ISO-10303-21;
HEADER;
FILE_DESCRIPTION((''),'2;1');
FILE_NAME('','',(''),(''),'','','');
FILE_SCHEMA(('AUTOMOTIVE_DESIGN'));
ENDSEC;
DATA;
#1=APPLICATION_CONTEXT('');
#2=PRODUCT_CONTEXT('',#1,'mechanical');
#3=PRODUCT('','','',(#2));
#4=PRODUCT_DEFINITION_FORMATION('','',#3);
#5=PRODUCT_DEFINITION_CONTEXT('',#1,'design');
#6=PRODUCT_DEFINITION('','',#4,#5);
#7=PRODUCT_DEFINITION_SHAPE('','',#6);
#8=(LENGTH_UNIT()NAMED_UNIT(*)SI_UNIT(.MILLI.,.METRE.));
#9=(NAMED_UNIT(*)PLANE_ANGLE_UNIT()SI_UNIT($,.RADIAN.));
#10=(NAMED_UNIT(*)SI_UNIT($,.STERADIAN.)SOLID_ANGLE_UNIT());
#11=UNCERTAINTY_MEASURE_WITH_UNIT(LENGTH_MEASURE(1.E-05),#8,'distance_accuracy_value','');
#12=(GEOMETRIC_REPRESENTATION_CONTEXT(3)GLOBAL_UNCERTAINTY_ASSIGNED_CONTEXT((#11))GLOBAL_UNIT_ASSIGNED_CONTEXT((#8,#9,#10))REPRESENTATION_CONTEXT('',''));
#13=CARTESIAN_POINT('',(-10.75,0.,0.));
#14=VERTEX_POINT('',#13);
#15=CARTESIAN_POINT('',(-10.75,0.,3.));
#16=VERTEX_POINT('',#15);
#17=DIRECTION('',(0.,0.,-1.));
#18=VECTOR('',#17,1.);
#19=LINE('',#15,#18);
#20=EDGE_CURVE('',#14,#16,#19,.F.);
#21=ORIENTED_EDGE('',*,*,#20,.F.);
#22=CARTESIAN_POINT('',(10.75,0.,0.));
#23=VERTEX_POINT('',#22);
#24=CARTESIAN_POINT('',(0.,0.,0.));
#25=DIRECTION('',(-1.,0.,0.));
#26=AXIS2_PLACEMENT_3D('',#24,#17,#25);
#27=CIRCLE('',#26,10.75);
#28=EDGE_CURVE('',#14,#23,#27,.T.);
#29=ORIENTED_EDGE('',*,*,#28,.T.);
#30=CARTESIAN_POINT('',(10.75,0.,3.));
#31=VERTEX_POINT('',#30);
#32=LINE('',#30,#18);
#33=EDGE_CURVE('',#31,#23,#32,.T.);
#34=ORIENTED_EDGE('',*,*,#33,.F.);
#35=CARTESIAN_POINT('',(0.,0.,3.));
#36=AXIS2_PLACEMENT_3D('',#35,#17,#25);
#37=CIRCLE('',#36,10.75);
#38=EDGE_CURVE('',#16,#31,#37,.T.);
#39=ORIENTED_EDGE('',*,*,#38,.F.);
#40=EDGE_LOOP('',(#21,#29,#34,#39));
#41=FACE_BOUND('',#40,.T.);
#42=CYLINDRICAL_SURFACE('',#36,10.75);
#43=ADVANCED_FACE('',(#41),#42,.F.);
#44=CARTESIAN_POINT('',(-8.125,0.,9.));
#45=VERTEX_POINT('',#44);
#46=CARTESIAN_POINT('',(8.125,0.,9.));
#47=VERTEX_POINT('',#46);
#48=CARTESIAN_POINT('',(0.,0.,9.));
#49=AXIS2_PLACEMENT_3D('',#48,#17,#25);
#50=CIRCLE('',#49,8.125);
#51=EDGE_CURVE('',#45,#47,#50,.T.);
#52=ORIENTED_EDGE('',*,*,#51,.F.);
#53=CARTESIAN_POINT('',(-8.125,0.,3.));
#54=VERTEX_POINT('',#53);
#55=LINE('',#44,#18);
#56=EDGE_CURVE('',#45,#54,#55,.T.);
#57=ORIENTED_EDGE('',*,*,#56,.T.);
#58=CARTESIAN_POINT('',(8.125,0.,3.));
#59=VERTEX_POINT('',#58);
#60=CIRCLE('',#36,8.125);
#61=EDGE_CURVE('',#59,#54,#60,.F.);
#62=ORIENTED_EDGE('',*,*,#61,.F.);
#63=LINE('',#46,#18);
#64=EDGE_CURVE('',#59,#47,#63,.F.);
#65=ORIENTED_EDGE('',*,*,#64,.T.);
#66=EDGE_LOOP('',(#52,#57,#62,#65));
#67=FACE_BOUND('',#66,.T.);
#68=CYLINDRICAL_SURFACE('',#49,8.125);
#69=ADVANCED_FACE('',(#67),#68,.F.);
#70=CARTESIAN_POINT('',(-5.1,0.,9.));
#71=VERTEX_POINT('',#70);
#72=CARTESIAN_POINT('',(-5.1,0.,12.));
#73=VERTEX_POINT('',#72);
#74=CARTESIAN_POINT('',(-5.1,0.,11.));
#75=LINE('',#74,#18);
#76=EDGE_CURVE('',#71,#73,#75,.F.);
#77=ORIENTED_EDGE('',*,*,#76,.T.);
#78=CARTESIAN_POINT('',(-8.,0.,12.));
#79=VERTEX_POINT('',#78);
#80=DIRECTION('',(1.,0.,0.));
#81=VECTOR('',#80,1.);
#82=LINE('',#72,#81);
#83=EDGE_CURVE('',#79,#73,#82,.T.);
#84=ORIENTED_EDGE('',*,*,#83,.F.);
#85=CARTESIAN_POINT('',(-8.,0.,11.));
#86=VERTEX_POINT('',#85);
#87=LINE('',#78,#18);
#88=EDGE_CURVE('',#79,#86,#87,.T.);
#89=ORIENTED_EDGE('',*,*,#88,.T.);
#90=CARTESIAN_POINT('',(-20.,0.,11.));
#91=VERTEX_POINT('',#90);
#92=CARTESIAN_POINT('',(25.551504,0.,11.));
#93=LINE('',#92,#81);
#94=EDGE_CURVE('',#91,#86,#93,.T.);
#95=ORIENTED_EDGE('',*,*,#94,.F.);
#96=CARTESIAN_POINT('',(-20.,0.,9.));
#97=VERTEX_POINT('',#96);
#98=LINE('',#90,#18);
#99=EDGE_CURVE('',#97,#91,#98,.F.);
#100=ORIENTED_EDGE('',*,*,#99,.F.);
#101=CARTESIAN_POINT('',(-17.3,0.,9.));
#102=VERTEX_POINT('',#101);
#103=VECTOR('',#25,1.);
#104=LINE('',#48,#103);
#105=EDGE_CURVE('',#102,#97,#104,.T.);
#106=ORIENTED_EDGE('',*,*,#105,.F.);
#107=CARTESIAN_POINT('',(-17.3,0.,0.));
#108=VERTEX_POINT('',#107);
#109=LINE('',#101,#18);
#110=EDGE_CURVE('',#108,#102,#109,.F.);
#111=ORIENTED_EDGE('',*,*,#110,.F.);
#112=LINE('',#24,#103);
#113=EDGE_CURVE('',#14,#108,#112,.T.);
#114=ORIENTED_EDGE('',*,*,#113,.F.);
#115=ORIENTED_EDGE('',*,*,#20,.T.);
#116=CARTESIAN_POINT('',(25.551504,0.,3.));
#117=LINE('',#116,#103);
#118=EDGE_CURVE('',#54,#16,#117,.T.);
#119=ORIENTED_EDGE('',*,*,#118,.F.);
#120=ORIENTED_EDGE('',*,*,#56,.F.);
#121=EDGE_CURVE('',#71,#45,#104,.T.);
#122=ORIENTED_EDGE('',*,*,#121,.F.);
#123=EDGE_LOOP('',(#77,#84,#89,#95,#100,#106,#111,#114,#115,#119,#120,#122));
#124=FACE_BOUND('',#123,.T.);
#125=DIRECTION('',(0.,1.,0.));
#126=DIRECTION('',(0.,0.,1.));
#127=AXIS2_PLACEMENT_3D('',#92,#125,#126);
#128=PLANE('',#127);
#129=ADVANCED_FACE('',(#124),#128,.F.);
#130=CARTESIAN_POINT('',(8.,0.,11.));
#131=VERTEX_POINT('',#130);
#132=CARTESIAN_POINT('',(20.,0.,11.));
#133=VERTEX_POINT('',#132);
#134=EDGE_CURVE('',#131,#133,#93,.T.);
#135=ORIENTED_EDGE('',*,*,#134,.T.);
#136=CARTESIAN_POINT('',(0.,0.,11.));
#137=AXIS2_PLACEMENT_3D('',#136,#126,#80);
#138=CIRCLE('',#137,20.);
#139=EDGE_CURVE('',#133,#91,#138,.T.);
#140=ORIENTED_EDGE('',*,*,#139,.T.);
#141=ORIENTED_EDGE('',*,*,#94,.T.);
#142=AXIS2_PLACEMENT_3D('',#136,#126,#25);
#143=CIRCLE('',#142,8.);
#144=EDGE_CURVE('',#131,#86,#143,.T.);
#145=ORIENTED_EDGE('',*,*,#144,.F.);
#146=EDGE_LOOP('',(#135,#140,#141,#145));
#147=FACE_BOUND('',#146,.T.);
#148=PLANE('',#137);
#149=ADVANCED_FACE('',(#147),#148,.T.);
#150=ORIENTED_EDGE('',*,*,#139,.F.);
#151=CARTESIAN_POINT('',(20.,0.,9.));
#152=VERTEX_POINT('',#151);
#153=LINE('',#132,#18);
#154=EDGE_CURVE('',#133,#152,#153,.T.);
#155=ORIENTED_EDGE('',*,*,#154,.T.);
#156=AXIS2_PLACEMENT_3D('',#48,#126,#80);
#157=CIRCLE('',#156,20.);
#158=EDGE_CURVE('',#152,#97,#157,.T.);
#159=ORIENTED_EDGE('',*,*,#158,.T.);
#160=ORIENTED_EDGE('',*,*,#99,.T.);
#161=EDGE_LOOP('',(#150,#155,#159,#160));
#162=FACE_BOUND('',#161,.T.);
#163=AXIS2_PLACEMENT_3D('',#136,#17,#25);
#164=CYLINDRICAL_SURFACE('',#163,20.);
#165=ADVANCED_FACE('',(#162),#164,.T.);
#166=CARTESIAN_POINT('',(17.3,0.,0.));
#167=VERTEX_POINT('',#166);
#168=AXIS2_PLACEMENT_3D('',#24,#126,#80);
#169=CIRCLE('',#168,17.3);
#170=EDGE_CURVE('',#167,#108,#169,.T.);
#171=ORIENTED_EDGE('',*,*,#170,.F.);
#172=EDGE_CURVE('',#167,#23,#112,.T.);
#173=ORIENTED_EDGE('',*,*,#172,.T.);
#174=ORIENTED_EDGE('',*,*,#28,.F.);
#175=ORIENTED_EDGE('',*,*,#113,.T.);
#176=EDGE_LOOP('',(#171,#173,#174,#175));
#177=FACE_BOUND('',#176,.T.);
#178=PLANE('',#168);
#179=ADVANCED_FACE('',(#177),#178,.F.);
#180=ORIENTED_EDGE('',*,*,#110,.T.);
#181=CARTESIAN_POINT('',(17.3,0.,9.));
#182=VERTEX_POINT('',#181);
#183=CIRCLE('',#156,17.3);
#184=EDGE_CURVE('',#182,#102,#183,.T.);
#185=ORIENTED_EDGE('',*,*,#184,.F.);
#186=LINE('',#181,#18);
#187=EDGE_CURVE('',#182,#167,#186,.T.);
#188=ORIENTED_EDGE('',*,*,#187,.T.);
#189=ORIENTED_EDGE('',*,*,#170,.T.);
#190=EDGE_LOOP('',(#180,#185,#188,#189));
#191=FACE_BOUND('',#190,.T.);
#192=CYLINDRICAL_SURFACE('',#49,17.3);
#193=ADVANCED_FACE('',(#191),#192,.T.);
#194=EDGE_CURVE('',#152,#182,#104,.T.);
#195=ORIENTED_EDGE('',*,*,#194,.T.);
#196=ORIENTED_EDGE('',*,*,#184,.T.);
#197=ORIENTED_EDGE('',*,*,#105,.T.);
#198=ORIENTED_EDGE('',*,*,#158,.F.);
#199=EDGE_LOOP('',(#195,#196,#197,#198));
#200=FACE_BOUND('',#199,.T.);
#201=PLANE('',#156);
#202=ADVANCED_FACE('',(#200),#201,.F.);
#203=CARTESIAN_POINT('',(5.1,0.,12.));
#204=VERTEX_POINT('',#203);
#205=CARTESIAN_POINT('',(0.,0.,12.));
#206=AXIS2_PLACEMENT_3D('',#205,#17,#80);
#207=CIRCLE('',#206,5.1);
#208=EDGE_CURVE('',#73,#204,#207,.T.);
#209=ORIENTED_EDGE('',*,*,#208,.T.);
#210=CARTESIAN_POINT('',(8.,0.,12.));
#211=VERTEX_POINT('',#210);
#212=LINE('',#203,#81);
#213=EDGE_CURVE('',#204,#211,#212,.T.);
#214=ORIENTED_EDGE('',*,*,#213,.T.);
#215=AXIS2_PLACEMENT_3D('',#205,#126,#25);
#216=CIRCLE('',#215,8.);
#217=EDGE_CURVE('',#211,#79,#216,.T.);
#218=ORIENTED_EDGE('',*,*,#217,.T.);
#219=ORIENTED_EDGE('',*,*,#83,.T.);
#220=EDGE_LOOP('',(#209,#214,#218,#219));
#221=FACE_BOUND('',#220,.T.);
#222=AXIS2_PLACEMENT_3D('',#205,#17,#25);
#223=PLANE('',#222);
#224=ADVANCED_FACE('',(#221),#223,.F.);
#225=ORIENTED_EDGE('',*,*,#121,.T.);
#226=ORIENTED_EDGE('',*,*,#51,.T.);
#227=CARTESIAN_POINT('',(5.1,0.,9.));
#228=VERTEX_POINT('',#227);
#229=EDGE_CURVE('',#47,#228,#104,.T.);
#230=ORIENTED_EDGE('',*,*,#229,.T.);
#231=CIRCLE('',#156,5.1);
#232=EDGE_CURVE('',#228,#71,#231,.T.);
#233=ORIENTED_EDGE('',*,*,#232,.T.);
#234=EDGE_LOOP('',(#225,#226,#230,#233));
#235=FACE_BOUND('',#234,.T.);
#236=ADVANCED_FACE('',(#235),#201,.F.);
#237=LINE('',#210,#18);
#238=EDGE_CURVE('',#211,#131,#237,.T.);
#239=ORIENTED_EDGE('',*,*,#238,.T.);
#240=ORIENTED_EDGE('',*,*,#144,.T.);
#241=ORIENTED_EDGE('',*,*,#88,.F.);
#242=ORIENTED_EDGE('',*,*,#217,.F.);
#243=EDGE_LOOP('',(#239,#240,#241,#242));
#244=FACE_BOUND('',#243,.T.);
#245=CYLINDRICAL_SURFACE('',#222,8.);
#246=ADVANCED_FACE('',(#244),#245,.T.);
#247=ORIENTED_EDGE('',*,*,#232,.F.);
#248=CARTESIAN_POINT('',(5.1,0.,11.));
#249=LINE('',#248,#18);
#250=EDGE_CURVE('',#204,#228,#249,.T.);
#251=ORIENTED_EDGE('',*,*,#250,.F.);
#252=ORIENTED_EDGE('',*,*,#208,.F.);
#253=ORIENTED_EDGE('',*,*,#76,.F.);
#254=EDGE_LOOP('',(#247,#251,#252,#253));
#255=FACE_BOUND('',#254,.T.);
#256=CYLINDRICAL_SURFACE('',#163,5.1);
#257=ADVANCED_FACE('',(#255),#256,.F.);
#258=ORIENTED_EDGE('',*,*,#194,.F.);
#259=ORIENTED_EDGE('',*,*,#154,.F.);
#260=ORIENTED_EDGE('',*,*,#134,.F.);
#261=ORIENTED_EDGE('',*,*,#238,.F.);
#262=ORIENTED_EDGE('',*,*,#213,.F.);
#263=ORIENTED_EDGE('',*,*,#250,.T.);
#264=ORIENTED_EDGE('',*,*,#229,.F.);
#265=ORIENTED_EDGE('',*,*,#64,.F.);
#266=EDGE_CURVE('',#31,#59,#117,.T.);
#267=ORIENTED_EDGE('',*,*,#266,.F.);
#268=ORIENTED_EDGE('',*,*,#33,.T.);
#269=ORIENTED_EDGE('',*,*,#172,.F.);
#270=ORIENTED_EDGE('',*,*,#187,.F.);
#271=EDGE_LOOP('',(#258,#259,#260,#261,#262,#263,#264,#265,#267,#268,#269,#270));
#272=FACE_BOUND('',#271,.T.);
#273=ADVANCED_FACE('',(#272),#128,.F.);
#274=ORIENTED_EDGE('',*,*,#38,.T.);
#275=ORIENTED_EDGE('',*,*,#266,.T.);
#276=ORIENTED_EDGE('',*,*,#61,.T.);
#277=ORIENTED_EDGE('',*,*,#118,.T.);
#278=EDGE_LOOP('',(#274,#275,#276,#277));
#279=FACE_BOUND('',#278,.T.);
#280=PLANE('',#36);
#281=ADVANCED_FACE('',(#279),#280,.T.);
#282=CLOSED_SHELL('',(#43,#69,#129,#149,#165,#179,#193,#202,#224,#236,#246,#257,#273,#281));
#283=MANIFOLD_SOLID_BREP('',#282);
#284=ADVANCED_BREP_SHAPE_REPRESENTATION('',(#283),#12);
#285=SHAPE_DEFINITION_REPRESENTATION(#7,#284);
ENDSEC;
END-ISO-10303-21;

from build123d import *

# Parameters (mm, degrees)
SKETCH1_R               = 17.3
BOSS_EXTRUDE1_DEPTH     = 9
SKETCH2_R               = 5.1
CUT_EXTRUDE1_DEPTH      = 10
SKETCH3_R               = 8.125
CUT_EXTRUDE2_DEPTH      = 9
SKETCH4_R               = 20
SKETCH4_R_2             = 5.1
BOSS_EXTRUDE2_DEPTH     = 2
CUT_EXTRUDE3_DEPTH      = 31.347981811
CUT_EXTRUDE3_DEPTH_BACK = 31.347981811
SKETCH5_W               = 52.021349681
SKETCH5_H               = 22.661429066
BOSS_EXTRUDE3_DEPTH     = 1
SKETCH8_R               = 10.75
CUT_EXTRUDE4_DEPTH      = 3


with BuildPart() as part:
    # Sketch1 → Boss-Extrude1 (new body)
    with BuildSketch(Plane.XY):
        Circle(SKETCH1_R)
    extrude(amount=BOSS_EXTRUDE1_DEPTH)

    # Sketch2 → Cut-Extrude1 (cut)
    with BuildSketch(Plane.XY.offset(9)):
        Circle(SKETCH2_R)
    extrude(amount=-CUT_EXTRUDE1_DEPTH, mode=Mode.SUBTRACT)

    # Sketch3 → Cut-Extrude2 (cut)
    with BuildSketch(Plane(origin=(0, 0, 0), x_dir=(-1, 0, 0), z_dir=(0, 0, -1))):
        Circle(SKETCH3_R)
    extrude(amount=-CUT_EXTRUDE2_DEPTH, mode=Mode.SUBTRACT)

    # Sketch4 → Boss-Extrude2 (add)
    with BuildSketch(Plane.XY.offset(9)):
        Circle(SKETCH4_R)
        Circle(SKETCH4_R_2, mode=Mode.SUBTRACT)
    extrude(amount=BOSS_EXTRUDE2_DEPTH)

    # Sketch5 → Cut-Extrude3 (cut, two sides: drawn at the far end of the back side and taken through both)
    with BuildSketch(Plane(origin=(0, 0, 0), x_dir=(-1, 0, 0), z_dir=(0, 0, -1)).offset(-CUT_EXTRUDE3_DEPTH_BACK)):
        with Locations((0.459170792, -11.330714533)):
            Rectangle(SKETCH5_W, SKETCH5_H)
    extrude(amount=CUT_EXTRUDE3_DEPTH + CUT_EXTRUDE3_DEPTH_BACK, mode=Mode.SUBTRACT)

    # Sketch7 → Boss-Extrude3 (add)
    with BuildSketch(Plane.XY.offset(11)):
        with BuildLine():
            Line((-5.1, 0), (-8, 0))
            ThreePointArc((-8, 0), (0, 8), (8, 0))
            Line((8, 0), (5.1, 0))
            ThreePointArc((5.1, 0), (0, 5.1), (-5.1, 0))
        make_face()
    extrude(amount=BOSS_EXTRUDE3_DEPTH)

    # Sketch8 → Cut-Extrude4 (cut)
    with BuildSketch(Plane(origin=(0, 0, 0), x_dir=(-1, 0, 0), z_dir=(0, 0, -1))):
        Circle(SKETCH8_R)
    extrude(amount=-CUT_EXTRUDE4_DEPTH, mode=Mode.SUBTRACT)


solid = part.part
